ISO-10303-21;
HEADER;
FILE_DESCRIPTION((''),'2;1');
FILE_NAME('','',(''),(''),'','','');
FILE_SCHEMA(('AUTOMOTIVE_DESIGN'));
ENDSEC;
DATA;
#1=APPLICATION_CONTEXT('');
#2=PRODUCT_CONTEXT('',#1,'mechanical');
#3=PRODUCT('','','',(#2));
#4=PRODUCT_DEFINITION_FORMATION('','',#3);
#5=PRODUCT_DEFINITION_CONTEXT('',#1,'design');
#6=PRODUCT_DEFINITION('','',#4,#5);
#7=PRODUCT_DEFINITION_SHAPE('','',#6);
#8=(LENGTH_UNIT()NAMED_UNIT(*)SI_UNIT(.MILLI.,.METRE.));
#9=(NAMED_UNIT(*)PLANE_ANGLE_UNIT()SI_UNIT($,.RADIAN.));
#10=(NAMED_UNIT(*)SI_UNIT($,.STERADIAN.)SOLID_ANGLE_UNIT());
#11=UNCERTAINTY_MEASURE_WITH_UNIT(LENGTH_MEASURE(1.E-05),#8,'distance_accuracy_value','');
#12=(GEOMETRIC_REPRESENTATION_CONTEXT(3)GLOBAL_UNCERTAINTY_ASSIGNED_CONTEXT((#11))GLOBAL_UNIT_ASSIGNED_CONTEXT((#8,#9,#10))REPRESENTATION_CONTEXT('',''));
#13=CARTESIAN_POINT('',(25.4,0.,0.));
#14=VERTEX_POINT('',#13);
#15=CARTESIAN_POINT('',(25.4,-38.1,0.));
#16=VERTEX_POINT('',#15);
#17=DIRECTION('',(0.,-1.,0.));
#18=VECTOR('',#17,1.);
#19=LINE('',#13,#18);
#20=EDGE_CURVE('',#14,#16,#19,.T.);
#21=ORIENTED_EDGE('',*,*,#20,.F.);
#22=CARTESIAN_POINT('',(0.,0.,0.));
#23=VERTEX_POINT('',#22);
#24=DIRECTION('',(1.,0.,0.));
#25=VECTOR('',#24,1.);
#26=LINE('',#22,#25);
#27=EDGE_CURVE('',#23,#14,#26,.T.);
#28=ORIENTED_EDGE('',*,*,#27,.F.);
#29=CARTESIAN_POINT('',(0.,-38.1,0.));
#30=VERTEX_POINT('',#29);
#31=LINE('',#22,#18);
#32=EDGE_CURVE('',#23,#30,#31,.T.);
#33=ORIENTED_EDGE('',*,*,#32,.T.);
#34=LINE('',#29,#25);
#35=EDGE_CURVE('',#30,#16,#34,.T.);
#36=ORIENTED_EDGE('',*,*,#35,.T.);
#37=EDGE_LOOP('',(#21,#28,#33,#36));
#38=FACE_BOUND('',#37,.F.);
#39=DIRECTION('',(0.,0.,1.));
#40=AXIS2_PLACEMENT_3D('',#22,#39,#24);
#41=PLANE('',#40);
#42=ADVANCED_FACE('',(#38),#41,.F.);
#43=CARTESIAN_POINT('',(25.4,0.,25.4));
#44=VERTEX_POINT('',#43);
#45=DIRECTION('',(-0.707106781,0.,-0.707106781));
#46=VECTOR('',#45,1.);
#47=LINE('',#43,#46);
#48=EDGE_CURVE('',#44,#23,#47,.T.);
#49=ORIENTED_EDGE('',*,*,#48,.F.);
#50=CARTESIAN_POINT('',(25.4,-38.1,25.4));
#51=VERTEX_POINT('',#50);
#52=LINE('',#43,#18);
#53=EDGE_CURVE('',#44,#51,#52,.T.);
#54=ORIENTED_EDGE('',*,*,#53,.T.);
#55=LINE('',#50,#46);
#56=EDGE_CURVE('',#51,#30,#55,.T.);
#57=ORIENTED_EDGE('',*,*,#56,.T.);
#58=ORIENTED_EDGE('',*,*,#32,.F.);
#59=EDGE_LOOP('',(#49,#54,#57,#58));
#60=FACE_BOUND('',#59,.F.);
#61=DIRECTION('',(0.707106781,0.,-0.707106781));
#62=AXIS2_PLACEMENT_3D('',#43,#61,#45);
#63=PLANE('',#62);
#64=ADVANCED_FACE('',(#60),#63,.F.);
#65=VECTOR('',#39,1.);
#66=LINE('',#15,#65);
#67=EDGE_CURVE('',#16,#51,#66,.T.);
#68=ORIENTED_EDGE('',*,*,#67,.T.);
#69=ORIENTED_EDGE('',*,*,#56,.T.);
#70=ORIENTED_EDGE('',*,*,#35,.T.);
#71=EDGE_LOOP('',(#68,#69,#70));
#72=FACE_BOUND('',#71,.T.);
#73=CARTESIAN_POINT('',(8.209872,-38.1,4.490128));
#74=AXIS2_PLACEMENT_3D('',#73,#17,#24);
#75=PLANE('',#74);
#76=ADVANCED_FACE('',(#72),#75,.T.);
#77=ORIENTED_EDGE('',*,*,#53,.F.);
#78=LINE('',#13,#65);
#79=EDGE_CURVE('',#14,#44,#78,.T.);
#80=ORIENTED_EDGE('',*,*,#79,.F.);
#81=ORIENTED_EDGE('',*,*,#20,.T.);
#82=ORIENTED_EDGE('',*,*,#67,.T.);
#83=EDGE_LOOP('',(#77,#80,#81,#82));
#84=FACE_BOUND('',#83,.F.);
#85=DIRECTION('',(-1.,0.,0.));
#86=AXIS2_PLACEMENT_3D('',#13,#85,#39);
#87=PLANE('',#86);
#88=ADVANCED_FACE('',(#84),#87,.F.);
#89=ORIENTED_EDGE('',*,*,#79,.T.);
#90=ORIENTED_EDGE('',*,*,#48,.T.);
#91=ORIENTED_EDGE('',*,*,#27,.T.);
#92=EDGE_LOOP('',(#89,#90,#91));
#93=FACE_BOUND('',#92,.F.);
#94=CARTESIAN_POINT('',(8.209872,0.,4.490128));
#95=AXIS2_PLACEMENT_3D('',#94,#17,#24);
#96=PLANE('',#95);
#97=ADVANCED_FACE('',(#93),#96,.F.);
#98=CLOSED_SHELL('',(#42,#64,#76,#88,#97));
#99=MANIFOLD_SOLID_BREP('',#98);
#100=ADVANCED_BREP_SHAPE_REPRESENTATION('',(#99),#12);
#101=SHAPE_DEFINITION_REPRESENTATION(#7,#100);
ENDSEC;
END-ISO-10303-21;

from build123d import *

# Parameters (mm, degrees)
F1_DEPTH = 38.1


with BuildPart() as f1:
    # F0 (on Front) → F1 (new body)
    with BuildSketch(Plane.XZ):
        Polygon((12.7, 12.7), (0, 0), (12.7, 0), align=None)
        Polygon((25.4, 25.4), (12.7, 12.7), (12.7, 0), (25.4, 0), align=None)
    extrude(amount=F1_DEPTH)


solid = f1.part
